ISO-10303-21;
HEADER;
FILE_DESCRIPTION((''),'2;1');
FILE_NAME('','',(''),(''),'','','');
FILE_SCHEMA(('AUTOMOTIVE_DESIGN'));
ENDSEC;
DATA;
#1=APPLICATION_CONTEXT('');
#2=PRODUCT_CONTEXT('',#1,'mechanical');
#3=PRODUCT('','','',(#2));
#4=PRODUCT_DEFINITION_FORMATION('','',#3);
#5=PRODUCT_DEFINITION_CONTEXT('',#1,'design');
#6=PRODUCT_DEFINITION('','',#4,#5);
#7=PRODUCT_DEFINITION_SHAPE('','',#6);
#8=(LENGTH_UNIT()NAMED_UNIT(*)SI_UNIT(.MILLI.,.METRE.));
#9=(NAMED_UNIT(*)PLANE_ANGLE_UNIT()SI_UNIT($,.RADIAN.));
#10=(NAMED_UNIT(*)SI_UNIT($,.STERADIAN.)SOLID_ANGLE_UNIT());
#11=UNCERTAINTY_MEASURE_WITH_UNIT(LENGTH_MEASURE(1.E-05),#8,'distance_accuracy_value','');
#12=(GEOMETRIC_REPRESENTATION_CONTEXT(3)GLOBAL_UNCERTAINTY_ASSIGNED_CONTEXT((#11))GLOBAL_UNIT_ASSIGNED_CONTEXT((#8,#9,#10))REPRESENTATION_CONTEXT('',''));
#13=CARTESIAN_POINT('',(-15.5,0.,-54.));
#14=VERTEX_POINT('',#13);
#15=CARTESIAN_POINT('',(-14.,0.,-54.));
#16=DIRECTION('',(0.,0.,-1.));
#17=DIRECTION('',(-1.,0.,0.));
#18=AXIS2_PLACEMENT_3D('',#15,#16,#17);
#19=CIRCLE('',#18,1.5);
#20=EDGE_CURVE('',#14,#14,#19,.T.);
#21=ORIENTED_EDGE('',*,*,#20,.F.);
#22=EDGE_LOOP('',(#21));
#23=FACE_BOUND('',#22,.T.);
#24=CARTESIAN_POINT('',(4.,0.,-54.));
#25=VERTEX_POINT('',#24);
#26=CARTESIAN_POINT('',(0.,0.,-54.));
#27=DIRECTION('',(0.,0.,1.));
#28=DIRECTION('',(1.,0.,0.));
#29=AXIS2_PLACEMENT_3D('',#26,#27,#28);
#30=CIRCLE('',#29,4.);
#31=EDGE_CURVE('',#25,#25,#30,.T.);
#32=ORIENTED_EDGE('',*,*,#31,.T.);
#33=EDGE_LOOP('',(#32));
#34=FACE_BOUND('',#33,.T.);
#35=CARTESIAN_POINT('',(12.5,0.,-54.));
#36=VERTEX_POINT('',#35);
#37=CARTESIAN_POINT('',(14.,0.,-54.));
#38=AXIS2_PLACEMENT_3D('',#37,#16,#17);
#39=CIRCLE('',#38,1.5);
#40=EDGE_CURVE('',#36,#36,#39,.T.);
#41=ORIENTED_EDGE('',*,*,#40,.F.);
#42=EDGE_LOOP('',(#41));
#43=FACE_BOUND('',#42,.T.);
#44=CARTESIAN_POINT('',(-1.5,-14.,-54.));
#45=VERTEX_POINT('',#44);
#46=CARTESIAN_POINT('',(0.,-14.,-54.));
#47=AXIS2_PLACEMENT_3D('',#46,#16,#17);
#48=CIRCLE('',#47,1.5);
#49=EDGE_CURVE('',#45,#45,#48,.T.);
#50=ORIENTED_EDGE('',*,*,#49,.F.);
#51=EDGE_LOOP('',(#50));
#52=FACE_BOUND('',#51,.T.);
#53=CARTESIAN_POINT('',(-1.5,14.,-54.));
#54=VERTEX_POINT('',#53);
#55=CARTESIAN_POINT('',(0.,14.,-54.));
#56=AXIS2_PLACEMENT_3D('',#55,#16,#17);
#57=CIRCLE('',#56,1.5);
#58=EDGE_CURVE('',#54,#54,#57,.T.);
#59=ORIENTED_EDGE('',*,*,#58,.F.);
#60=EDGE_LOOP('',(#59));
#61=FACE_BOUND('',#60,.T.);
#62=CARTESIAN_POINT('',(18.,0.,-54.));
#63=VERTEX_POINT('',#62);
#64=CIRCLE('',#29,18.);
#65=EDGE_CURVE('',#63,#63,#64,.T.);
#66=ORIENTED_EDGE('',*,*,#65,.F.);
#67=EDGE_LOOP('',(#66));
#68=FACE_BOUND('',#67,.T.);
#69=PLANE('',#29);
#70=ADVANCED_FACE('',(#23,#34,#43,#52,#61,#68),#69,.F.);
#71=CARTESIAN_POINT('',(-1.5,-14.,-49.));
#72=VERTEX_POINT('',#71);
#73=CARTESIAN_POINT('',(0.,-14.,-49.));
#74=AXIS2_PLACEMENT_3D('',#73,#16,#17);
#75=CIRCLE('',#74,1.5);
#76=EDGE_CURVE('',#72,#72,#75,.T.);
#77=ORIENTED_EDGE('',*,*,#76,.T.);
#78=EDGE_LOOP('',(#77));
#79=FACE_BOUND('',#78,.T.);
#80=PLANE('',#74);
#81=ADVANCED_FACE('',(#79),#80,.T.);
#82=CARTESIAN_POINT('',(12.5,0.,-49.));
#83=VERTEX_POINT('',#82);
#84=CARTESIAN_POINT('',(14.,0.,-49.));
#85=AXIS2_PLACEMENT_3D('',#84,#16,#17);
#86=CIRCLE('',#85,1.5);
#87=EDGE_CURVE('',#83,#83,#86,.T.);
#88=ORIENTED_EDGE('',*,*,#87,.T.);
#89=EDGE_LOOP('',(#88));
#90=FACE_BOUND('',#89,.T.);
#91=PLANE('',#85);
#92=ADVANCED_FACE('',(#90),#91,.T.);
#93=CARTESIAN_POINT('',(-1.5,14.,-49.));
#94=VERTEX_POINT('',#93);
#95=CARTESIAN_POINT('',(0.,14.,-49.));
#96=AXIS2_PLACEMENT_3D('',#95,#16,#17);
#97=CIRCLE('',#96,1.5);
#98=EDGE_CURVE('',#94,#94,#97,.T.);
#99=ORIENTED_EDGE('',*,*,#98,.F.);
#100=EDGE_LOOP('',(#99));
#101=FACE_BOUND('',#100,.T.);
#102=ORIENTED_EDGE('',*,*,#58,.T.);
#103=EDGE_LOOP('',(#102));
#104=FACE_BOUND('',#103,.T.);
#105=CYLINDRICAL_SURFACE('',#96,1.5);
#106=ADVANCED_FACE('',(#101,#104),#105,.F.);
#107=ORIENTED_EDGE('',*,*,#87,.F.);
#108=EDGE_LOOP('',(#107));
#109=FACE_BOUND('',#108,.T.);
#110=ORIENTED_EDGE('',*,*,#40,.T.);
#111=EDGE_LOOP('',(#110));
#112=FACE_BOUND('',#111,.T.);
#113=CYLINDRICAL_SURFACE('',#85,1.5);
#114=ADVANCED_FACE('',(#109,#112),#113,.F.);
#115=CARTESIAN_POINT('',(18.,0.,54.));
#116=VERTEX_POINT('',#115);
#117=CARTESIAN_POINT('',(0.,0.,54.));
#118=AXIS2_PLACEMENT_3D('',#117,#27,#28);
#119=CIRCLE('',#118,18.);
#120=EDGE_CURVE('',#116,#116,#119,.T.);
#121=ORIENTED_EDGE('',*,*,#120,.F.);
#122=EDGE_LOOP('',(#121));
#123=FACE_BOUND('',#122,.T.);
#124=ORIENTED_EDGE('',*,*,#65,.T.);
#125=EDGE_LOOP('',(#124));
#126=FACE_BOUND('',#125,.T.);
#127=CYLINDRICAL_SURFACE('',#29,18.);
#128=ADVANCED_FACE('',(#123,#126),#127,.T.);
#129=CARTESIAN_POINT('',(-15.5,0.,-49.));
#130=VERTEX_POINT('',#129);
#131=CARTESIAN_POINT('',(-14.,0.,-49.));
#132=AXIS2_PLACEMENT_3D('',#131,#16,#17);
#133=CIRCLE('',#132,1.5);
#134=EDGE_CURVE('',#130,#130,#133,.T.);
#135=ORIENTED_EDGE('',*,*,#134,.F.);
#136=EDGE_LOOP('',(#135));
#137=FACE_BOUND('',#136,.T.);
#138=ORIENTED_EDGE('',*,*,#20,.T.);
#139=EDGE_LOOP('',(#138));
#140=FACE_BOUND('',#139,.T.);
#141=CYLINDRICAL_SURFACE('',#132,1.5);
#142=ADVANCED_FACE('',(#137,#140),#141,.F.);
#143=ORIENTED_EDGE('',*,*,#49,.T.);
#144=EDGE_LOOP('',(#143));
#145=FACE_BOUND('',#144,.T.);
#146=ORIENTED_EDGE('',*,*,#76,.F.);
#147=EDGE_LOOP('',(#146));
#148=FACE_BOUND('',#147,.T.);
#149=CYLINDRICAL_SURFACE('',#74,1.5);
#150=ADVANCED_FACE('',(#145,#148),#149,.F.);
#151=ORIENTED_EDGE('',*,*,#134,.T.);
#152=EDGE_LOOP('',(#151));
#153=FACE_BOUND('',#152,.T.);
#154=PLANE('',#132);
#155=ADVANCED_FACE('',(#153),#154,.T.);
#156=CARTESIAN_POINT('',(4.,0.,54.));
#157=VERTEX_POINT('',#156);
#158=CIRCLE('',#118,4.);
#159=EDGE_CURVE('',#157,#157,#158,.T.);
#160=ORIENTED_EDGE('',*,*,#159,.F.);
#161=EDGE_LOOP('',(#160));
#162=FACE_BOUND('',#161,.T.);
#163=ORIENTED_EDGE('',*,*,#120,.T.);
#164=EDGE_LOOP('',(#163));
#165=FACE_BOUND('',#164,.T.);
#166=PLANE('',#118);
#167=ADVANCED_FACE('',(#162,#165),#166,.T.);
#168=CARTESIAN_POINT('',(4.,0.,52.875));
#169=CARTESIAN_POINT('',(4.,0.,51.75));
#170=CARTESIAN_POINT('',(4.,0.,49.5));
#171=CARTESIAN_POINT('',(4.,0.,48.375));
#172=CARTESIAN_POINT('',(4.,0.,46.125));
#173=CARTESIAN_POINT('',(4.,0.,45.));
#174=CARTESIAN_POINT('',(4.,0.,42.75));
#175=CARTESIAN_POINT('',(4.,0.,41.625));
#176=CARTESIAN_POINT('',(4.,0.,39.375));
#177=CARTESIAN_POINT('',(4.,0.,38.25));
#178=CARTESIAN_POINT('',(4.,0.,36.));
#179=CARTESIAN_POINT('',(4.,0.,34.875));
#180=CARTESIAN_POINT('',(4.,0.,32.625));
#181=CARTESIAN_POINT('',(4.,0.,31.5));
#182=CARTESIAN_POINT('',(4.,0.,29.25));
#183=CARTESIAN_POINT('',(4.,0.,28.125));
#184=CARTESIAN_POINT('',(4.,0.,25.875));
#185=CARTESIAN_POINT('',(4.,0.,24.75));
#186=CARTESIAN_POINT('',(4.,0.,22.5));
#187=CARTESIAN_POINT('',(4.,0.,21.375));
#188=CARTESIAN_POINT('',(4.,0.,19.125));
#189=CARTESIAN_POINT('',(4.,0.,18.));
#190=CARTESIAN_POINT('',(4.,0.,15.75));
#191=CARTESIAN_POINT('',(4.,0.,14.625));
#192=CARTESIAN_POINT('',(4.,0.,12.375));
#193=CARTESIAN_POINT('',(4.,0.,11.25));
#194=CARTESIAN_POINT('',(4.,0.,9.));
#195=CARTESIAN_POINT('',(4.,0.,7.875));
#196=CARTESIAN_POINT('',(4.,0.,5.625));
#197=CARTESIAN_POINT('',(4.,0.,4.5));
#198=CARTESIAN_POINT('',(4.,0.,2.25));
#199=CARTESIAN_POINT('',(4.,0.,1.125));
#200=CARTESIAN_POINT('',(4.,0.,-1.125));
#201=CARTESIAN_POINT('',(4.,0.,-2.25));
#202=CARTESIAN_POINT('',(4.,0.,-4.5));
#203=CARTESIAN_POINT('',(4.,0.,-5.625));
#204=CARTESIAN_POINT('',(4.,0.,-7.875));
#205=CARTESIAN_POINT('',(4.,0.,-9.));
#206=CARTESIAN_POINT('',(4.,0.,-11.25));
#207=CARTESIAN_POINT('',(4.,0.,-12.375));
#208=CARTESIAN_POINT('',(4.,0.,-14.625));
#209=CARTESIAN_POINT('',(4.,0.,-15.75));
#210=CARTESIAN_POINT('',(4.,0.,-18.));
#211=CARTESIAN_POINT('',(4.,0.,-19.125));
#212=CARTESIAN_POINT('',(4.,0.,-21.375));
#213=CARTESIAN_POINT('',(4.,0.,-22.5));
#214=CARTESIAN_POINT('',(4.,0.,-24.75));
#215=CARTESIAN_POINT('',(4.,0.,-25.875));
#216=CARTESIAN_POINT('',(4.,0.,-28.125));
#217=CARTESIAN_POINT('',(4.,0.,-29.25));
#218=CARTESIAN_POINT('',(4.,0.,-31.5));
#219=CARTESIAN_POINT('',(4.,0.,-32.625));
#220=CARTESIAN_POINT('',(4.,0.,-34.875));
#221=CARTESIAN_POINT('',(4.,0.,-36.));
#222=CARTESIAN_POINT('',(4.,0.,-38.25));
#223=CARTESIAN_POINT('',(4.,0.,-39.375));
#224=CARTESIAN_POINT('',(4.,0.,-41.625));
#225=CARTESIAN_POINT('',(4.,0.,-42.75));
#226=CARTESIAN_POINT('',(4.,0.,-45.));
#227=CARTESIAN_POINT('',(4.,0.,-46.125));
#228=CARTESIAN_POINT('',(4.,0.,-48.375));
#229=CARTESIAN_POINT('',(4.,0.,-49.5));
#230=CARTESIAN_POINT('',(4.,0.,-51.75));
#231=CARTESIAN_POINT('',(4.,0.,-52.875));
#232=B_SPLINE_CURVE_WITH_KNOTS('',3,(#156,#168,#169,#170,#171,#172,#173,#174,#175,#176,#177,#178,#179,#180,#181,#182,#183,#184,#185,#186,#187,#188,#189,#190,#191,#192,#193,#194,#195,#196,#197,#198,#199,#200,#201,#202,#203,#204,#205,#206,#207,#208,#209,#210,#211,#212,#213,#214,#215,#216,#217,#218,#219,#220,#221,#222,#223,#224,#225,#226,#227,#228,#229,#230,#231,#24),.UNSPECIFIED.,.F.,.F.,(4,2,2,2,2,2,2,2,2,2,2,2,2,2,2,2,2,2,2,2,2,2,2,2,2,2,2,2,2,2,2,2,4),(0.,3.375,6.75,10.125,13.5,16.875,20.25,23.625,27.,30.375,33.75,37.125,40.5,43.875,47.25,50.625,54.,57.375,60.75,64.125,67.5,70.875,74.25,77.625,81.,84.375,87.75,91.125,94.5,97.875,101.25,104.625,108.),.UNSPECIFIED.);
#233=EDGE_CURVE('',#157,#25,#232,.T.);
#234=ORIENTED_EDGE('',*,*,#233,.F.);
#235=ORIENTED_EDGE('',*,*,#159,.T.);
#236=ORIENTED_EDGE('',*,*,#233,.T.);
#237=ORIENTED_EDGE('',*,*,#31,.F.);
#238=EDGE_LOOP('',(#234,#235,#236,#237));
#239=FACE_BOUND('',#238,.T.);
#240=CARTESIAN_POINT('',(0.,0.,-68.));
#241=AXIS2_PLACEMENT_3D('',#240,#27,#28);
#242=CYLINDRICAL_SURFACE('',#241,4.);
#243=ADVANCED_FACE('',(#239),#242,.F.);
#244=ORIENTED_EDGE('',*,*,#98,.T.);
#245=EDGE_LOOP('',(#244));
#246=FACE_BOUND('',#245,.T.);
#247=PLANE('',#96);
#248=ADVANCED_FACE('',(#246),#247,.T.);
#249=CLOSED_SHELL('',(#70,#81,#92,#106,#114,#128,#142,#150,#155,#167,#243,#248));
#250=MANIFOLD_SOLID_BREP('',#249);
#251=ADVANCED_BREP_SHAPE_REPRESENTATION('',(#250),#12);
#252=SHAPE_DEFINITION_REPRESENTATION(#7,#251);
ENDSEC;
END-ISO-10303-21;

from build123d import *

# Parameters (mm, degrees)
BOSS_EXTRUDE1_DEPTH      = 54
BOSS_EXTRUDE1_DEPTH_BACK = 54
SKETCH2_R                = 18
SKETCH3_R                = 4
CUT_EXTRUDE1_DEPTH       = 122
SKETCH4_R                = 1.5
CUT_EXTRUDE2_DEPTH       = 5


with BuildPart() as part:
    # Sketch2 → Boss-Extrude1 (new, two sides: drawn at the far end of the back side and taken through both)
    with BuildSketch(Plane.XY.offset(-BOSS_EXTRUDE1_DEPTH_BACK)):
        Circle(SKETCH2_R)
    extrude(amount=BOSS_EXTRUDE1_DEPTH + BOSS_EXTRUDE1_DEPTH_BACK)

    # Sketch3 → Cut-Extrude1 (cut)
    with BuildSketch(Plane.XY.offset(54)):
        Circle(SKETCH3_R)
    extrude(amount=-CUT_EXTRUDE1_DEPTH, mode=Mode.SUBTRACT)

    # Sketch4 → Cut-Extrude2 (cut)
    with BuildSketch(Plane(origin=(0, 0, -54), x_dir=(-1, 0, 0), z_dir=(0, 0, -1))):
        with Locations((0, 14)):
            Circle(SKETCH4_R)
        with Locations((14, 0)):
            Circle(SKETCH4_R)
        with Locations((0, -14)):
            Circle(SKETCH4_R)
        with Locations((-14, 0)):
            Circle(SKETCH4_R)
    extrude(amount=-CUT_EXTRUDE2_DEPTH, mode=Mode.SUBTRACT)


solid = part.part
